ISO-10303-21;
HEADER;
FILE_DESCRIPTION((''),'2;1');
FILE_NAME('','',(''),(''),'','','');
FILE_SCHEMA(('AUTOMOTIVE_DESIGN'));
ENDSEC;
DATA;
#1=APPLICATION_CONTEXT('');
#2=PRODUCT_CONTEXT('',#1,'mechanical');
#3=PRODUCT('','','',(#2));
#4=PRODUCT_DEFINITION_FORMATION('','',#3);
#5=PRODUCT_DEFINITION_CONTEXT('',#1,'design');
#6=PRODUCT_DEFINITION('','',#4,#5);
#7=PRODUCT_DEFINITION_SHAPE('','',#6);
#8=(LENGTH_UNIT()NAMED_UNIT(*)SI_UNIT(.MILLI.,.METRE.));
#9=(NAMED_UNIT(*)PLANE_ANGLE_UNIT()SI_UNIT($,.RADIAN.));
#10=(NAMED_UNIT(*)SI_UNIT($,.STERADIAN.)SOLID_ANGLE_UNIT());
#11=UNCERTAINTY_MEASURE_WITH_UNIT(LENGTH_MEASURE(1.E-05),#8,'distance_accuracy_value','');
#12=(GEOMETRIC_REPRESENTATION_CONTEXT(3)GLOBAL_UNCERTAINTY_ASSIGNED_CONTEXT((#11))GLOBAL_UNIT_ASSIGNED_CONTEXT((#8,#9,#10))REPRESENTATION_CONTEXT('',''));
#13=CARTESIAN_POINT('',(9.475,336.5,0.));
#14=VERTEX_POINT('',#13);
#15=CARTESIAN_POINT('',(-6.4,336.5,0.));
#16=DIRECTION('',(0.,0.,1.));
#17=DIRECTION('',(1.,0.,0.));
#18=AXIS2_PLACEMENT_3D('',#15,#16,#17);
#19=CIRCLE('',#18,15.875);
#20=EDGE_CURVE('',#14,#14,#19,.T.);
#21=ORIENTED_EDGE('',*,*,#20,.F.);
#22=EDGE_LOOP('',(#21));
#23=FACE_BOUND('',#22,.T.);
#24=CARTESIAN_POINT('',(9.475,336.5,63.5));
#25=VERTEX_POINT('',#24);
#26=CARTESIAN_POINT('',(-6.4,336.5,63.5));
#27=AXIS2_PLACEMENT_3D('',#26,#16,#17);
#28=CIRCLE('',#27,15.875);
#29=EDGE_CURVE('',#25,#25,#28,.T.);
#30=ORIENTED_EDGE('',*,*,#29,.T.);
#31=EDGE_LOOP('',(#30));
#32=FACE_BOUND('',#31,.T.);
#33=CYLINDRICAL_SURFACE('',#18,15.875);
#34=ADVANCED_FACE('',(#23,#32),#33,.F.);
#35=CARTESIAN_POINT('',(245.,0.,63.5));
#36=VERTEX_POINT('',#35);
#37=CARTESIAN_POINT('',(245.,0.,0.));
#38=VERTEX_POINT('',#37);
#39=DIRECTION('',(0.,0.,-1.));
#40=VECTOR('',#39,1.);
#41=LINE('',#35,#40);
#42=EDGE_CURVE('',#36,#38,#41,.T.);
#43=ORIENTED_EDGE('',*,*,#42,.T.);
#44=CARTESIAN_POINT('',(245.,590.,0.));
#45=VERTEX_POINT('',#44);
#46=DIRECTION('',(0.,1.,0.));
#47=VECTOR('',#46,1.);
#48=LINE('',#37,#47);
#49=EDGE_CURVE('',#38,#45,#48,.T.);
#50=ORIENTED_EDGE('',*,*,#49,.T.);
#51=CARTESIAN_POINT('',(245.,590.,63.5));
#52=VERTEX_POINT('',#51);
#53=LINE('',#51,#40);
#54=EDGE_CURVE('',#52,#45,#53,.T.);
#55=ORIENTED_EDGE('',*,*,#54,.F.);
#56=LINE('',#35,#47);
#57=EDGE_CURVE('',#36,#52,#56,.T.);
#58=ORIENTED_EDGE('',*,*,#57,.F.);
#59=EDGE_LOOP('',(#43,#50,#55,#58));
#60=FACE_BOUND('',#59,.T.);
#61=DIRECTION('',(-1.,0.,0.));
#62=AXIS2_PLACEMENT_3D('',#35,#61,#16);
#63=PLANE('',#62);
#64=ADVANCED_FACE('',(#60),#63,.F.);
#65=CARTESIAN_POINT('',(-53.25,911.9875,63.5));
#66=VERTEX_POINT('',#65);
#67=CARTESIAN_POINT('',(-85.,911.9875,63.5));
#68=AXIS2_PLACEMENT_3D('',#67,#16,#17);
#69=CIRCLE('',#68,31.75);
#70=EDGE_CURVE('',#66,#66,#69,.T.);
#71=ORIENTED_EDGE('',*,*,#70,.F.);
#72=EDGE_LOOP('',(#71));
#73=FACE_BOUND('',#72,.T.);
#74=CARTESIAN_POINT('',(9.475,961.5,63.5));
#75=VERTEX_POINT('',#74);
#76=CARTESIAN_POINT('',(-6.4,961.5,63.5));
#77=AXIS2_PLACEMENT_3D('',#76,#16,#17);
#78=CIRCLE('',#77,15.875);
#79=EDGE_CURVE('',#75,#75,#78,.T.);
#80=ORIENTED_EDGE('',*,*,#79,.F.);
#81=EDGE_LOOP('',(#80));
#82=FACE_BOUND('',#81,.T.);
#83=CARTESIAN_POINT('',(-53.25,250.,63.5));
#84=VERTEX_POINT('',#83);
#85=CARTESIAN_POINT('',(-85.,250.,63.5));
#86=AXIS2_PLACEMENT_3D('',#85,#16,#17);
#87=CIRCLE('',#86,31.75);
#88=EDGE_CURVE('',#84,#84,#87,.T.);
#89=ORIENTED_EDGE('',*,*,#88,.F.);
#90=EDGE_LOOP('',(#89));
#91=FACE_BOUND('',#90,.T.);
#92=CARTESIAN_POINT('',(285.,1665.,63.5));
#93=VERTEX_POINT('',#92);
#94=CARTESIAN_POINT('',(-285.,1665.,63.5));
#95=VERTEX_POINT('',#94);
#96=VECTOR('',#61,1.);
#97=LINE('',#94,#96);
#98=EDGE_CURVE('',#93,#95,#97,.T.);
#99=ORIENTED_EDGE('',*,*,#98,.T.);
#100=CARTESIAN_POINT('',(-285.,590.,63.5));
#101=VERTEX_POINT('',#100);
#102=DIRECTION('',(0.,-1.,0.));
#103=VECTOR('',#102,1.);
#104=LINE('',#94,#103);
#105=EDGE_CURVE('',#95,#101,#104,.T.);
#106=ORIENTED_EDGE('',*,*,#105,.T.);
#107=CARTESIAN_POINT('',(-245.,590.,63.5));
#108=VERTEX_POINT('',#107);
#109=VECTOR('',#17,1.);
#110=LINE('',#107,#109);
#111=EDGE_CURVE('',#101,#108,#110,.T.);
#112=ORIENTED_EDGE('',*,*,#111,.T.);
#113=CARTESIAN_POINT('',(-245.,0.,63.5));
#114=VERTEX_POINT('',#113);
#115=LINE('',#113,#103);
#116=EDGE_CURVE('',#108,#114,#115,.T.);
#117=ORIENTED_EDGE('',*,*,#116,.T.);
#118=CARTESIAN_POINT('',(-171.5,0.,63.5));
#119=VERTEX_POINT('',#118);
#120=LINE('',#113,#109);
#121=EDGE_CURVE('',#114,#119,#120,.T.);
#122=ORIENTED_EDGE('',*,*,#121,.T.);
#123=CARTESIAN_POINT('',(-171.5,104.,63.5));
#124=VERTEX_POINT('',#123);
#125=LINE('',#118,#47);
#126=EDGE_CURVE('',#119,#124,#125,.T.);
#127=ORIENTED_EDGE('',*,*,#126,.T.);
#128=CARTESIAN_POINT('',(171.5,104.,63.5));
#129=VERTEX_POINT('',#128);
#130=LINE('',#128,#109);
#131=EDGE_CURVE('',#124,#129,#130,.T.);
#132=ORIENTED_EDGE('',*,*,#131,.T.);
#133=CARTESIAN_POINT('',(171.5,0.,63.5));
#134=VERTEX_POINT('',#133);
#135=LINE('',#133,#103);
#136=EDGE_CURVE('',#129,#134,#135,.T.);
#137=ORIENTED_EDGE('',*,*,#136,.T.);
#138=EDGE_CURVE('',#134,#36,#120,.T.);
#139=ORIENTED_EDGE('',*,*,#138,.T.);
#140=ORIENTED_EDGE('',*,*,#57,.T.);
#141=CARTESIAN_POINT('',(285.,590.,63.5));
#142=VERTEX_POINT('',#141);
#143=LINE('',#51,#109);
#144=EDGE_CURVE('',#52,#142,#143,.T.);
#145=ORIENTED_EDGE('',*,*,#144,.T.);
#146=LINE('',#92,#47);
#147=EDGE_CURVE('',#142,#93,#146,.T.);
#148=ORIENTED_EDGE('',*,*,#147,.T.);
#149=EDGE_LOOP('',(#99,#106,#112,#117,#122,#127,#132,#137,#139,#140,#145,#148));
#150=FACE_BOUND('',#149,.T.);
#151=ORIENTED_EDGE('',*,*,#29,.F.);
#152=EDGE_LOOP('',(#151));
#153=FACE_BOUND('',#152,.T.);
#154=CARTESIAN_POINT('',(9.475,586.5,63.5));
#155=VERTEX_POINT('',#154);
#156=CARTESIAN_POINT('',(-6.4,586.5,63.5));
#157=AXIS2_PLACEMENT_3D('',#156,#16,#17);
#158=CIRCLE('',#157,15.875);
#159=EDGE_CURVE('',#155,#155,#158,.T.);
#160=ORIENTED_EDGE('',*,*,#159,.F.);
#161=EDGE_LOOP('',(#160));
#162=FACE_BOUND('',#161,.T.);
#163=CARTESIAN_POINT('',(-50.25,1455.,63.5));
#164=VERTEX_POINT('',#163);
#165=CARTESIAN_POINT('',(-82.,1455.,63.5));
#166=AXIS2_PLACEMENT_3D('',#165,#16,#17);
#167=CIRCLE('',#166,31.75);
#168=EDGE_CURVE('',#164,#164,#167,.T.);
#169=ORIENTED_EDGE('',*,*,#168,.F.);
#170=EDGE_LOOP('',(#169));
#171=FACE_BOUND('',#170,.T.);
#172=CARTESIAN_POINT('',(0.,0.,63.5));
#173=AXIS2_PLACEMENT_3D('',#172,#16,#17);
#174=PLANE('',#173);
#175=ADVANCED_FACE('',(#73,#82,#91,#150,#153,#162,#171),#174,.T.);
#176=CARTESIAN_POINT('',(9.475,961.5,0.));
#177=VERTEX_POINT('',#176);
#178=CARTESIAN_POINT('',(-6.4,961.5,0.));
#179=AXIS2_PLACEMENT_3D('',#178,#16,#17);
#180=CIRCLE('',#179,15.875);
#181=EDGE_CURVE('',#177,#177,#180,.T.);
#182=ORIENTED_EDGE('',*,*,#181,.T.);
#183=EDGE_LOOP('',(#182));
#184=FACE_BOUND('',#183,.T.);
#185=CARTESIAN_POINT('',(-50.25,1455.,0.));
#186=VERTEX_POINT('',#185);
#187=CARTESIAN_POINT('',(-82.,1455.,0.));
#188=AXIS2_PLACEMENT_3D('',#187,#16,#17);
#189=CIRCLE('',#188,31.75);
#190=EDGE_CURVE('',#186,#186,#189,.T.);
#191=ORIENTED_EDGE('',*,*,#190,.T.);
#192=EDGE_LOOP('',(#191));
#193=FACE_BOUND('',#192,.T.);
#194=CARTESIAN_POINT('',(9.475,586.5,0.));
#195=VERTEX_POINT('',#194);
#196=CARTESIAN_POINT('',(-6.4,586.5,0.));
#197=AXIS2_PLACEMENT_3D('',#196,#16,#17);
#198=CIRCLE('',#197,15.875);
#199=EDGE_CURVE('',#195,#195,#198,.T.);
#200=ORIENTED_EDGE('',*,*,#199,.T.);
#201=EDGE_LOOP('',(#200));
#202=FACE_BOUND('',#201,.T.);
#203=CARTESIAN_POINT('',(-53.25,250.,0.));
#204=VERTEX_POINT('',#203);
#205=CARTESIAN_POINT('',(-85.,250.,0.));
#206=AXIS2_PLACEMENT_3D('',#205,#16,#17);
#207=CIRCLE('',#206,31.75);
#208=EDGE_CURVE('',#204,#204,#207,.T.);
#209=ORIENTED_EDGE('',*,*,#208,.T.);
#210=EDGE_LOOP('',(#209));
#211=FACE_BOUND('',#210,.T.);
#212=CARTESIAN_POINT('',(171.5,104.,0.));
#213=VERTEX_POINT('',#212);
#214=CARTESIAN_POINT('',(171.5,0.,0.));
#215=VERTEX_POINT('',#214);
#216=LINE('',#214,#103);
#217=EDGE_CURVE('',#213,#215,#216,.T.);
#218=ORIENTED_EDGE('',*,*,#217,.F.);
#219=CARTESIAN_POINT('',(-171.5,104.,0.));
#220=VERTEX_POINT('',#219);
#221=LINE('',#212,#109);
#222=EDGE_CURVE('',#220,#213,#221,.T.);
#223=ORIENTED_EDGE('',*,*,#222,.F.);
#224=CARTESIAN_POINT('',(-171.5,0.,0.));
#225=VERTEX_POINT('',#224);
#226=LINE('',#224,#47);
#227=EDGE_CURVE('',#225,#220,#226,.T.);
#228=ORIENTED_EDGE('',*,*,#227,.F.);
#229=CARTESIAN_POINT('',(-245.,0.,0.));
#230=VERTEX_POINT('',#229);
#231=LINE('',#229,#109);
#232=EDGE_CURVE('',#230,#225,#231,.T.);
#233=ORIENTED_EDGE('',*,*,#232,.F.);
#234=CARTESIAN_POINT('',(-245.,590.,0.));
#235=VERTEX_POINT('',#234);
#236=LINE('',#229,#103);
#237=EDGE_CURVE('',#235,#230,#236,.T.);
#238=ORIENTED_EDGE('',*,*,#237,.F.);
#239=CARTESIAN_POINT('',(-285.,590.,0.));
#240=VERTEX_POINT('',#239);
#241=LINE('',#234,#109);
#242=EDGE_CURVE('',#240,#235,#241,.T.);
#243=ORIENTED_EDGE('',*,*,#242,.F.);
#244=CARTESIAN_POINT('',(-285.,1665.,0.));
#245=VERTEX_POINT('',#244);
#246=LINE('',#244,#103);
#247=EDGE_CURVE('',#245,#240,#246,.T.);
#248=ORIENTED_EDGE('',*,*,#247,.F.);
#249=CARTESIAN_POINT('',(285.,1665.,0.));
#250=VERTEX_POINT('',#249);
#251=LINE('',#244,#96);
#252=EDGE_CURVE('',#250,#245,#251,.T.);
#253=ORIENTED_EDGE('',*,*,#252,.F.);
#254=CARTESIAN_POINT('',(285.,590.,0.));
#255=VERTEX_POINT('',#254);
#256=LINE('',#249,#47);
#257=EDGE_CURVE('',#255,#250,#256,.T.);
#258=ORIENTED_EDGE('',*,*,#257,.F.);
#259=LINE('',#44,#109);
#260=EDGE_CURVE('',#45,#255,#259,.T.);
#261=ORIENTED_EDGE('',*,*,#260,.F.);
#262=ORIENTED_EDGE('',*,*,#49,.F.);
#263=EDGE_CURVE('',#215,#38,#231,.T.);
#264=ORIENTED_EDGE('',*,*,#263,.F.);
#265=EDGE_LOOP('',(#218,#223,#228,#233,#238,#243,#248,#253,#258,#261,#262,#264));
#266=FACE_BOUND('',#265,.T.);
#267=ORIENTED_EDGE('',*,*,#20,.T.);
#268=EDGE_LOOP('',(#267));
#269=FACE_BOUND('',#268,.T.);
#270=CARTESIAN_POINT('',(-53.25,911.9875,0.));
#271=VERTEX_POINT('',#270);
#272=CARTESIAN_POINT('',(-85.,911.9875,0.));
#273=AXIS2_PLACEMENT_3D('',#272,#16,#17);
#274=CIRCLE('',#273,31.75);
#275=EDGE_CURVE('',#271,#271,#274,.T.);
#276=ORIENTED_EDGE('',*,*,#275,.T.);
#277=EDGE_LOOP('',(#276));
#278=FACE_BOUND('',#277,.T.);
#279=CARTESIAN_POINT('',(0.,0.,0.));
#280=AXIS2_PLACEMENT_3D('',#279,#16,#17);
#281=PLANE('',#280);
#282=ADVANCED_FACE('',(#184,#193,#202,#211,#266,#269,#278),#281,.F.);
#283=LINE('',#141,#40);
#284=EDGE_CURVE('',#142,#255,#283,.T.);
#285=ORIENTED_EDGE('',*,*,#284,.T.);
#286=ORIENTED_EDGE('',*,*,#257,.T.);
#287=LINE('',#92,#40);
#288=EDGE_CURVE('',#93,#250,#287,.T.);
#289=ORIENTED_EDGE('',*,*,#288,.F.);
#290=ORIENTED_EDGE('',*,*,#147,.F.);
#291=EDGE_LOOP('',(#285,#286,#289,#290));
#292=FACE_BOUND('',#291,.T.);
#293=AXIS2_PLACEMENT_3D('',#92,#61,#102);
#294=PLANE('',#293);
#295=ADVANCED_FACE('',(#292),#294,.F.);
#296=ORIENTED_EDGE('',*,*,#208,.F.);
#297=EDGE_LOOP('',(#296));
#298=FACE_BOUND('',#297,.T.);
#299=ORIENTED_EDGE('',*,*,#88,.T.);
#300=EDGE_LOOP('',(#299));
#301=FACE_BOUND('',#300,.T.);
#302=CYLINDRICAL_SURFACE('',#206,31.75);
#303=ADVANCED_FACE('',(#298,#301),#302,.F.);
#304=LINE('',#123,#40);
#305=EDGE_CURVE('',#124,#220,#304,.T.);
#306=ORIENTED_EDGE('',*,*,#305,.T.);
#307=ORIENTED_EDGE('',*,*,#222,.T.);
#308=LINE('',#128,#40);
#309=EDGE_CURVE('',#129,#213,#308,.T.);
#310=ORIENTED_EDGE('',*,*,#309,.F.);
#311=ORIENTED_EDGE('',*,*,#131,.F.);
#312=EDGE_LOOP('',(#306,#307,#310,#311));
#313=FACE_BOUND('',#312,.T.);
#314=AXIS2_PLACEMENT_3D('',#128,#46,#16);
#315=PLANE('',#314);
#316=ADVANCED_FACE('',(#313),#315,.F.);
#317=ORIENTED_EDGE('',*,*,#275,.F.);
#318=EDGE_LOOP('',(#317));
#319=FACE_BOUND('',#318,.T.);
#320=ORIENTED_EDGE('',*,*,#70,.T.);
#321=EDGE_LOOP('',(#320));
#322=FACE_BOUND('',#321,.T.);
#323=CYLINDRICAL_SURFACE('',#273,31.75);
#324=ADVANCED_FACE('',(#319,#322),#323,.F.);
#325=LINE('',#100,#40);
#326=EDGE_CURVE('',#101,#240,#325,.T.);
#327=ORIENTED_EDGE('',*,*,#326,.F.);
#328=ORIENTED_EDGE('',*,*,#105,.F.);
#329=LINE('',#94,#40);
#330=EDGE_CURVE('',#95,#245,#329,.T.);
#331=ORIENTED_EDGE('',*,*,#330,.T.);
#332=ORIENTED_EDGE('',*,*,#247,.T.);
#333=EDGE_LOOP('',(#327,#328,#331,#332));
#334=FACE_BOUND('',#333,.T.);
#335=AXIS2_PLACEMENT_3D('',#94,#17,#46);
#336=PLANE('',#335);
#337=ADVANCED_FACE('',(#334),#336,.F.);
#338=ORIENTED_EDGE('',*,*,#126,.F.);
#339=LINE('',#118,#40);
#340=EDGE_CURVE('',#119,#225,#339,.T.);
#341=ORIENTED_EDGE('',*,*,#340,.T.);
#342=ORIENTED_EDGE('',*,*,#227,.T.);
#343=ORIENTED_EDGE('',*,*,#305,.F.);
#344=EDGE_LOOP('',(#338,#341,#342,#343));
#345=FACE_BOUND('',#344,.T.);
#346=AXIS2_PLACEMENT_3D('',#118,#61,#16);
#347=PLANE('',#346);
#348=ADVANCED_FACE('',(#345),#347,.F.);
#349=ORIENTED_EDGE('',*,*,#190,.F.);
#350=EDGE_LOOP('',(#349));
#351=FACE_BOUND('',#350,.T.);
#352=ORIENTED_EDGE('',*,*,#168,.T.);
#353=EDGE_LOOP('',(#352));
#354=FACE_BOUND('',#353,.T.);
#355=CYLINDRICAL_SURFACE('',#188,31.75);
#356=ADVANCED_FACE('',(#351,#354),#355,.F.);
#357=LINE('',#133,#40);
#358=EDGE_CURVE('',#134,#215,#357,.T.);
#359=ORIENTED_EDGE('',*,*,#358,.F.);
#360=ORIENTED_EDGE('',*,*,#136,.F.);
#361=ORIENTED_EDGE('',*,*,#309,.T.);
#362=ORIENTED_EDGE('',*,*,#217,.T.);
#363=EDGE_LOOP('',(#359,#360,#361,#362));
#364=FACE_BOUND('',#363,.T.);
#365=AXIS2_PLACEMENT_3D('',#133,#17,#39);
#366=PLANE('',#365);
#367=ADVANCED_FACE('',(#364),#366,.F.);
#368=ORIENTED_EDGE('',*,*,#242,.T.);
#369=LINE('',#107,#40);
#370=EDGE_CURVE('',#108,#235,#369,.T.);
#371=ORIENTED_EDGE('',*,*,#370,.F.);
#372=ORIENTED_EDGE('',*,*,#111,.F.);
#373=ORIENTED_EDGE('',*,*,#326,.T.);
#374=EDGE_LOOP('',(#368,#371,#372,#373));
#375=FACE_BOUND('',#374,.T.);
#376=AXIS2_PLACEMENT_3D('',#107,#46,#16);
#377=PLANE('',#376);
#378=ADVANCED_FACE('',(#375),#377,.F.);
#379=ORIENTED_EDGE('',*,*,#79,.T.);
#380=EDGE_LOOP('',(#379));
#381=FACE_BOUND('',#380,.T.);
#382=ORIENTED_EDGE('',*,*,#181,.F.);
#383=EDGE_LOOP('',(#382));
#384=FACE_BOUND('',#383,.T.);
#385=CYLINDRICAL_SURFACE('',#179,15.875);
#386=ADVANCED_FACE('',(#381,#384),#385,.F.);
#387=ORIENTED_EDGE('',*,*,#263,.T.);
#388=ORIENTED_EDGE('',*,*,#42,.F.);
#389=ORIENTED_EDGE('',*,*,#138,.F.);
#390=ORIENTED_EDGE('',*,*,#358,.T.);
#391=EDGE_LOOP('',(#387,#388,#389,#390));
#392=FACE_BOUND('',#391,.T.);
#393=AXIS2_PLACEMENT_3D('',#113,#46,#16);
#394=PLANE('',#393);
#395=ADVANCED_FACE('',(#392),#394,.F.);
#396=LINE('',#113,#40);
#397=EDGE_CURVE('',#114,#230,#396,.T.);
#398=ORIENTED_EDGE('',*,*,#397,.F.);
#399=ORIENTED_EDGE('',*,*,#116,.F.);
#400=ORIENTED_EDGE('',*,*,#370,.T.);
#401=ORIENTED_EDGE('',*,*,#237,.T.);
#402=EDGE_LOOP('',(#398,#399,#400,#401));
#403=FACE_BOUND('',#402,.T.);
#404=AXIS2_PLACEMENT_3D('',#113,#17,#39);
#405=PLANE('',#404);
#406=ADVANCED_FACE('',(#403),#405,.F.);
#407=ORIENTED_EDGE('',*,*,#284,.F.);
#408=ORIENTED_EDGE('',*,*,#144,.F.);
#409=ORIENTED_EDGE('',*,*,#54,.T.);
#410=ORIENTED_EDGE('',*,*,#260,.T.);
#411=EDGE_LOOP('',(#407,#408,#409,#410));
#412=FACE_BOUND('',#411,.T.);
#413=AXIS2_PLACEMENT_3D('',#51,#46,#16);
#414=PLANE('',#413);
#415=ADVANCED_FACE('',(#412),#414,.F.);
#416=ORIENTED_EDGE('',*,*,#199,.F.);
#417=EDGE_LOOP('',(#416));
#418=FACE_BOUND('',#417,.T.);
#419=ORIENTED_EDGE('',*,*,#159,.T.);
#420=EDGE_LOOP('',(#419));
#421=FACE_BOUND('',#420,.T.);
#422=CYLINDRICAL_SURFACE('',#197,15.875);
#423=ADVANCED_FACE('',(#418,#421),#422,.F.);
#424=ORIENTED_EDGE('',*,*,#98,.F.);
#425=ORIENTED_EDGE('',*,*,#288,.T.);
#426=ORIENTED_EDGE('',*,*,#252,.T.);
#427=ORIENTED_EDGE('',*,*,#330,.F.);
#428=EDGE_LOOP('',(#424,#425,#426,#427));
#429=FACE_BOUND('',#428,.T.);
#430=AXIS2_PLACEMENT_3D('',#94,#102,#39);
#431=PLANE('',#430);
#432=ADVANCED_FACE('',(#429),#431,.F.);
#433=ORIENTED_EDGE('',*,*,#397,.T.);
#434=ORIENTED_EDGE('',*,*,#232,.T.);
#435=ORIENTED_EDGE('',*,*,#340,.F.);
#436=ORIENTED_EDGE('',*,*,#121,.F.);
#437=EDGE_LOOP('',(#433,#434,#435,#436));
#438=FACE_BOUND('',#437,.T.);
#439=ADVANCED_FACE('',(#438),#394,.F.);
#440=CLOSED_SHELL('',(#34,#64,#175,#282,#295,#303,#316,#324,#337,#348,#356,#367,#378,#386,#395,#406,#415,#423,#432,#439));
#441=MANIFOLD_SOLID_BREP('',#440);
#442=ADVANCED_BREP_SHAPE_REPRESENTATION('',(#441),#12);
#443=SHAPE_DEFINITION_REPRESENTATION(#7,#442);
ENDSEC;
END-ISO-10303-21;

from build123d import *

# Parameters (mm, degrees)
BOSS_EXTRUDE1_DEPTH = 63.5
SKETCH2_W           = 343
SKETCH2_H           = 104
CUT_EXTRUDE1_DEPTH  = 1691.408900237
SKETCH3_R           = 31.75
CUT_EXTRUDE2_DEPTH  = 1691.408900237
SKETCH4_R           = 31.75
CUT_EXTRUDE3_DEPTH  = 1691.408900237
SKETCH5_R           = 15.875
CUT_EXTRUDE4_DEPTH  = 1691.408900237


with BuildPart() as part:
    # Sketch1 → Boss-Extrude1 (new body)
    with BuildSketch(Plane.XY):
        Polygon((-245, 0), (245, 0), (245, 590), (285, 590), (285, 1665), (-285, 1665), (-285, 590), (-245, 590), align=None)
    extrude(amount=BOSS_EXTRUDE1_DEPTH)

    # Sketch2 → Cut-Extrude1 (cut, through all)
    with BuildSketch(Plane(origin=(0, 0, 0), x_dir=(-1, 0, 0), z_dir=(0, 0, -1))):
        with Locations((0, 52)):
            Rectangle(SKETCH2_W, SKETCH2_H)
    extrude(amount=-CUT_EXTRUDE1_DEPTH, mode=Mode.SUBTRACT)

    # Sketch3 → Cut-Extrude2 (cut, through all)
    with BuildSketch(Plane.XY.offset(63.5)):
        with Locations((-82, 1455)):
            Circle(SKETCH3_R)
    extrude(amount=-CUT_EXTRUDE2_DEPTH, mode=Mode.SUBTRACT)

    # Sketch4 → Cut-Extrude3 (cut, through all)
    with BuildSketch(Plane.XY.offset(63.5)):
        with Locations((-85, 250)):
            Circle(SKETCH4_R)
        with Locations((-85, 911.9875)):
            Circle(SKETCH4_R)
    extrude(amount=-CUT_EXTRUDE3_DEPTH, mode=Mode.SUBTRACT)

    # Sketch5 → Cut-Extrude4 (cut, through all)
    with BuildSketch(Plane.XY.offset(63.5)):
        with Locations((-6.4, 336.5)):
            Circle(SKETCH5_R)
        with Locations((-6.4, 586.5)):
            Circle(SKETCH5_R)
        with Locations((-6.4, 961.5)):
            Circle(SKETCH5_R)
    extrude(amount=-CUT_EXTRUDE4_DEPTH, mode=Mode.SUBTRACT)


solid = part.part
